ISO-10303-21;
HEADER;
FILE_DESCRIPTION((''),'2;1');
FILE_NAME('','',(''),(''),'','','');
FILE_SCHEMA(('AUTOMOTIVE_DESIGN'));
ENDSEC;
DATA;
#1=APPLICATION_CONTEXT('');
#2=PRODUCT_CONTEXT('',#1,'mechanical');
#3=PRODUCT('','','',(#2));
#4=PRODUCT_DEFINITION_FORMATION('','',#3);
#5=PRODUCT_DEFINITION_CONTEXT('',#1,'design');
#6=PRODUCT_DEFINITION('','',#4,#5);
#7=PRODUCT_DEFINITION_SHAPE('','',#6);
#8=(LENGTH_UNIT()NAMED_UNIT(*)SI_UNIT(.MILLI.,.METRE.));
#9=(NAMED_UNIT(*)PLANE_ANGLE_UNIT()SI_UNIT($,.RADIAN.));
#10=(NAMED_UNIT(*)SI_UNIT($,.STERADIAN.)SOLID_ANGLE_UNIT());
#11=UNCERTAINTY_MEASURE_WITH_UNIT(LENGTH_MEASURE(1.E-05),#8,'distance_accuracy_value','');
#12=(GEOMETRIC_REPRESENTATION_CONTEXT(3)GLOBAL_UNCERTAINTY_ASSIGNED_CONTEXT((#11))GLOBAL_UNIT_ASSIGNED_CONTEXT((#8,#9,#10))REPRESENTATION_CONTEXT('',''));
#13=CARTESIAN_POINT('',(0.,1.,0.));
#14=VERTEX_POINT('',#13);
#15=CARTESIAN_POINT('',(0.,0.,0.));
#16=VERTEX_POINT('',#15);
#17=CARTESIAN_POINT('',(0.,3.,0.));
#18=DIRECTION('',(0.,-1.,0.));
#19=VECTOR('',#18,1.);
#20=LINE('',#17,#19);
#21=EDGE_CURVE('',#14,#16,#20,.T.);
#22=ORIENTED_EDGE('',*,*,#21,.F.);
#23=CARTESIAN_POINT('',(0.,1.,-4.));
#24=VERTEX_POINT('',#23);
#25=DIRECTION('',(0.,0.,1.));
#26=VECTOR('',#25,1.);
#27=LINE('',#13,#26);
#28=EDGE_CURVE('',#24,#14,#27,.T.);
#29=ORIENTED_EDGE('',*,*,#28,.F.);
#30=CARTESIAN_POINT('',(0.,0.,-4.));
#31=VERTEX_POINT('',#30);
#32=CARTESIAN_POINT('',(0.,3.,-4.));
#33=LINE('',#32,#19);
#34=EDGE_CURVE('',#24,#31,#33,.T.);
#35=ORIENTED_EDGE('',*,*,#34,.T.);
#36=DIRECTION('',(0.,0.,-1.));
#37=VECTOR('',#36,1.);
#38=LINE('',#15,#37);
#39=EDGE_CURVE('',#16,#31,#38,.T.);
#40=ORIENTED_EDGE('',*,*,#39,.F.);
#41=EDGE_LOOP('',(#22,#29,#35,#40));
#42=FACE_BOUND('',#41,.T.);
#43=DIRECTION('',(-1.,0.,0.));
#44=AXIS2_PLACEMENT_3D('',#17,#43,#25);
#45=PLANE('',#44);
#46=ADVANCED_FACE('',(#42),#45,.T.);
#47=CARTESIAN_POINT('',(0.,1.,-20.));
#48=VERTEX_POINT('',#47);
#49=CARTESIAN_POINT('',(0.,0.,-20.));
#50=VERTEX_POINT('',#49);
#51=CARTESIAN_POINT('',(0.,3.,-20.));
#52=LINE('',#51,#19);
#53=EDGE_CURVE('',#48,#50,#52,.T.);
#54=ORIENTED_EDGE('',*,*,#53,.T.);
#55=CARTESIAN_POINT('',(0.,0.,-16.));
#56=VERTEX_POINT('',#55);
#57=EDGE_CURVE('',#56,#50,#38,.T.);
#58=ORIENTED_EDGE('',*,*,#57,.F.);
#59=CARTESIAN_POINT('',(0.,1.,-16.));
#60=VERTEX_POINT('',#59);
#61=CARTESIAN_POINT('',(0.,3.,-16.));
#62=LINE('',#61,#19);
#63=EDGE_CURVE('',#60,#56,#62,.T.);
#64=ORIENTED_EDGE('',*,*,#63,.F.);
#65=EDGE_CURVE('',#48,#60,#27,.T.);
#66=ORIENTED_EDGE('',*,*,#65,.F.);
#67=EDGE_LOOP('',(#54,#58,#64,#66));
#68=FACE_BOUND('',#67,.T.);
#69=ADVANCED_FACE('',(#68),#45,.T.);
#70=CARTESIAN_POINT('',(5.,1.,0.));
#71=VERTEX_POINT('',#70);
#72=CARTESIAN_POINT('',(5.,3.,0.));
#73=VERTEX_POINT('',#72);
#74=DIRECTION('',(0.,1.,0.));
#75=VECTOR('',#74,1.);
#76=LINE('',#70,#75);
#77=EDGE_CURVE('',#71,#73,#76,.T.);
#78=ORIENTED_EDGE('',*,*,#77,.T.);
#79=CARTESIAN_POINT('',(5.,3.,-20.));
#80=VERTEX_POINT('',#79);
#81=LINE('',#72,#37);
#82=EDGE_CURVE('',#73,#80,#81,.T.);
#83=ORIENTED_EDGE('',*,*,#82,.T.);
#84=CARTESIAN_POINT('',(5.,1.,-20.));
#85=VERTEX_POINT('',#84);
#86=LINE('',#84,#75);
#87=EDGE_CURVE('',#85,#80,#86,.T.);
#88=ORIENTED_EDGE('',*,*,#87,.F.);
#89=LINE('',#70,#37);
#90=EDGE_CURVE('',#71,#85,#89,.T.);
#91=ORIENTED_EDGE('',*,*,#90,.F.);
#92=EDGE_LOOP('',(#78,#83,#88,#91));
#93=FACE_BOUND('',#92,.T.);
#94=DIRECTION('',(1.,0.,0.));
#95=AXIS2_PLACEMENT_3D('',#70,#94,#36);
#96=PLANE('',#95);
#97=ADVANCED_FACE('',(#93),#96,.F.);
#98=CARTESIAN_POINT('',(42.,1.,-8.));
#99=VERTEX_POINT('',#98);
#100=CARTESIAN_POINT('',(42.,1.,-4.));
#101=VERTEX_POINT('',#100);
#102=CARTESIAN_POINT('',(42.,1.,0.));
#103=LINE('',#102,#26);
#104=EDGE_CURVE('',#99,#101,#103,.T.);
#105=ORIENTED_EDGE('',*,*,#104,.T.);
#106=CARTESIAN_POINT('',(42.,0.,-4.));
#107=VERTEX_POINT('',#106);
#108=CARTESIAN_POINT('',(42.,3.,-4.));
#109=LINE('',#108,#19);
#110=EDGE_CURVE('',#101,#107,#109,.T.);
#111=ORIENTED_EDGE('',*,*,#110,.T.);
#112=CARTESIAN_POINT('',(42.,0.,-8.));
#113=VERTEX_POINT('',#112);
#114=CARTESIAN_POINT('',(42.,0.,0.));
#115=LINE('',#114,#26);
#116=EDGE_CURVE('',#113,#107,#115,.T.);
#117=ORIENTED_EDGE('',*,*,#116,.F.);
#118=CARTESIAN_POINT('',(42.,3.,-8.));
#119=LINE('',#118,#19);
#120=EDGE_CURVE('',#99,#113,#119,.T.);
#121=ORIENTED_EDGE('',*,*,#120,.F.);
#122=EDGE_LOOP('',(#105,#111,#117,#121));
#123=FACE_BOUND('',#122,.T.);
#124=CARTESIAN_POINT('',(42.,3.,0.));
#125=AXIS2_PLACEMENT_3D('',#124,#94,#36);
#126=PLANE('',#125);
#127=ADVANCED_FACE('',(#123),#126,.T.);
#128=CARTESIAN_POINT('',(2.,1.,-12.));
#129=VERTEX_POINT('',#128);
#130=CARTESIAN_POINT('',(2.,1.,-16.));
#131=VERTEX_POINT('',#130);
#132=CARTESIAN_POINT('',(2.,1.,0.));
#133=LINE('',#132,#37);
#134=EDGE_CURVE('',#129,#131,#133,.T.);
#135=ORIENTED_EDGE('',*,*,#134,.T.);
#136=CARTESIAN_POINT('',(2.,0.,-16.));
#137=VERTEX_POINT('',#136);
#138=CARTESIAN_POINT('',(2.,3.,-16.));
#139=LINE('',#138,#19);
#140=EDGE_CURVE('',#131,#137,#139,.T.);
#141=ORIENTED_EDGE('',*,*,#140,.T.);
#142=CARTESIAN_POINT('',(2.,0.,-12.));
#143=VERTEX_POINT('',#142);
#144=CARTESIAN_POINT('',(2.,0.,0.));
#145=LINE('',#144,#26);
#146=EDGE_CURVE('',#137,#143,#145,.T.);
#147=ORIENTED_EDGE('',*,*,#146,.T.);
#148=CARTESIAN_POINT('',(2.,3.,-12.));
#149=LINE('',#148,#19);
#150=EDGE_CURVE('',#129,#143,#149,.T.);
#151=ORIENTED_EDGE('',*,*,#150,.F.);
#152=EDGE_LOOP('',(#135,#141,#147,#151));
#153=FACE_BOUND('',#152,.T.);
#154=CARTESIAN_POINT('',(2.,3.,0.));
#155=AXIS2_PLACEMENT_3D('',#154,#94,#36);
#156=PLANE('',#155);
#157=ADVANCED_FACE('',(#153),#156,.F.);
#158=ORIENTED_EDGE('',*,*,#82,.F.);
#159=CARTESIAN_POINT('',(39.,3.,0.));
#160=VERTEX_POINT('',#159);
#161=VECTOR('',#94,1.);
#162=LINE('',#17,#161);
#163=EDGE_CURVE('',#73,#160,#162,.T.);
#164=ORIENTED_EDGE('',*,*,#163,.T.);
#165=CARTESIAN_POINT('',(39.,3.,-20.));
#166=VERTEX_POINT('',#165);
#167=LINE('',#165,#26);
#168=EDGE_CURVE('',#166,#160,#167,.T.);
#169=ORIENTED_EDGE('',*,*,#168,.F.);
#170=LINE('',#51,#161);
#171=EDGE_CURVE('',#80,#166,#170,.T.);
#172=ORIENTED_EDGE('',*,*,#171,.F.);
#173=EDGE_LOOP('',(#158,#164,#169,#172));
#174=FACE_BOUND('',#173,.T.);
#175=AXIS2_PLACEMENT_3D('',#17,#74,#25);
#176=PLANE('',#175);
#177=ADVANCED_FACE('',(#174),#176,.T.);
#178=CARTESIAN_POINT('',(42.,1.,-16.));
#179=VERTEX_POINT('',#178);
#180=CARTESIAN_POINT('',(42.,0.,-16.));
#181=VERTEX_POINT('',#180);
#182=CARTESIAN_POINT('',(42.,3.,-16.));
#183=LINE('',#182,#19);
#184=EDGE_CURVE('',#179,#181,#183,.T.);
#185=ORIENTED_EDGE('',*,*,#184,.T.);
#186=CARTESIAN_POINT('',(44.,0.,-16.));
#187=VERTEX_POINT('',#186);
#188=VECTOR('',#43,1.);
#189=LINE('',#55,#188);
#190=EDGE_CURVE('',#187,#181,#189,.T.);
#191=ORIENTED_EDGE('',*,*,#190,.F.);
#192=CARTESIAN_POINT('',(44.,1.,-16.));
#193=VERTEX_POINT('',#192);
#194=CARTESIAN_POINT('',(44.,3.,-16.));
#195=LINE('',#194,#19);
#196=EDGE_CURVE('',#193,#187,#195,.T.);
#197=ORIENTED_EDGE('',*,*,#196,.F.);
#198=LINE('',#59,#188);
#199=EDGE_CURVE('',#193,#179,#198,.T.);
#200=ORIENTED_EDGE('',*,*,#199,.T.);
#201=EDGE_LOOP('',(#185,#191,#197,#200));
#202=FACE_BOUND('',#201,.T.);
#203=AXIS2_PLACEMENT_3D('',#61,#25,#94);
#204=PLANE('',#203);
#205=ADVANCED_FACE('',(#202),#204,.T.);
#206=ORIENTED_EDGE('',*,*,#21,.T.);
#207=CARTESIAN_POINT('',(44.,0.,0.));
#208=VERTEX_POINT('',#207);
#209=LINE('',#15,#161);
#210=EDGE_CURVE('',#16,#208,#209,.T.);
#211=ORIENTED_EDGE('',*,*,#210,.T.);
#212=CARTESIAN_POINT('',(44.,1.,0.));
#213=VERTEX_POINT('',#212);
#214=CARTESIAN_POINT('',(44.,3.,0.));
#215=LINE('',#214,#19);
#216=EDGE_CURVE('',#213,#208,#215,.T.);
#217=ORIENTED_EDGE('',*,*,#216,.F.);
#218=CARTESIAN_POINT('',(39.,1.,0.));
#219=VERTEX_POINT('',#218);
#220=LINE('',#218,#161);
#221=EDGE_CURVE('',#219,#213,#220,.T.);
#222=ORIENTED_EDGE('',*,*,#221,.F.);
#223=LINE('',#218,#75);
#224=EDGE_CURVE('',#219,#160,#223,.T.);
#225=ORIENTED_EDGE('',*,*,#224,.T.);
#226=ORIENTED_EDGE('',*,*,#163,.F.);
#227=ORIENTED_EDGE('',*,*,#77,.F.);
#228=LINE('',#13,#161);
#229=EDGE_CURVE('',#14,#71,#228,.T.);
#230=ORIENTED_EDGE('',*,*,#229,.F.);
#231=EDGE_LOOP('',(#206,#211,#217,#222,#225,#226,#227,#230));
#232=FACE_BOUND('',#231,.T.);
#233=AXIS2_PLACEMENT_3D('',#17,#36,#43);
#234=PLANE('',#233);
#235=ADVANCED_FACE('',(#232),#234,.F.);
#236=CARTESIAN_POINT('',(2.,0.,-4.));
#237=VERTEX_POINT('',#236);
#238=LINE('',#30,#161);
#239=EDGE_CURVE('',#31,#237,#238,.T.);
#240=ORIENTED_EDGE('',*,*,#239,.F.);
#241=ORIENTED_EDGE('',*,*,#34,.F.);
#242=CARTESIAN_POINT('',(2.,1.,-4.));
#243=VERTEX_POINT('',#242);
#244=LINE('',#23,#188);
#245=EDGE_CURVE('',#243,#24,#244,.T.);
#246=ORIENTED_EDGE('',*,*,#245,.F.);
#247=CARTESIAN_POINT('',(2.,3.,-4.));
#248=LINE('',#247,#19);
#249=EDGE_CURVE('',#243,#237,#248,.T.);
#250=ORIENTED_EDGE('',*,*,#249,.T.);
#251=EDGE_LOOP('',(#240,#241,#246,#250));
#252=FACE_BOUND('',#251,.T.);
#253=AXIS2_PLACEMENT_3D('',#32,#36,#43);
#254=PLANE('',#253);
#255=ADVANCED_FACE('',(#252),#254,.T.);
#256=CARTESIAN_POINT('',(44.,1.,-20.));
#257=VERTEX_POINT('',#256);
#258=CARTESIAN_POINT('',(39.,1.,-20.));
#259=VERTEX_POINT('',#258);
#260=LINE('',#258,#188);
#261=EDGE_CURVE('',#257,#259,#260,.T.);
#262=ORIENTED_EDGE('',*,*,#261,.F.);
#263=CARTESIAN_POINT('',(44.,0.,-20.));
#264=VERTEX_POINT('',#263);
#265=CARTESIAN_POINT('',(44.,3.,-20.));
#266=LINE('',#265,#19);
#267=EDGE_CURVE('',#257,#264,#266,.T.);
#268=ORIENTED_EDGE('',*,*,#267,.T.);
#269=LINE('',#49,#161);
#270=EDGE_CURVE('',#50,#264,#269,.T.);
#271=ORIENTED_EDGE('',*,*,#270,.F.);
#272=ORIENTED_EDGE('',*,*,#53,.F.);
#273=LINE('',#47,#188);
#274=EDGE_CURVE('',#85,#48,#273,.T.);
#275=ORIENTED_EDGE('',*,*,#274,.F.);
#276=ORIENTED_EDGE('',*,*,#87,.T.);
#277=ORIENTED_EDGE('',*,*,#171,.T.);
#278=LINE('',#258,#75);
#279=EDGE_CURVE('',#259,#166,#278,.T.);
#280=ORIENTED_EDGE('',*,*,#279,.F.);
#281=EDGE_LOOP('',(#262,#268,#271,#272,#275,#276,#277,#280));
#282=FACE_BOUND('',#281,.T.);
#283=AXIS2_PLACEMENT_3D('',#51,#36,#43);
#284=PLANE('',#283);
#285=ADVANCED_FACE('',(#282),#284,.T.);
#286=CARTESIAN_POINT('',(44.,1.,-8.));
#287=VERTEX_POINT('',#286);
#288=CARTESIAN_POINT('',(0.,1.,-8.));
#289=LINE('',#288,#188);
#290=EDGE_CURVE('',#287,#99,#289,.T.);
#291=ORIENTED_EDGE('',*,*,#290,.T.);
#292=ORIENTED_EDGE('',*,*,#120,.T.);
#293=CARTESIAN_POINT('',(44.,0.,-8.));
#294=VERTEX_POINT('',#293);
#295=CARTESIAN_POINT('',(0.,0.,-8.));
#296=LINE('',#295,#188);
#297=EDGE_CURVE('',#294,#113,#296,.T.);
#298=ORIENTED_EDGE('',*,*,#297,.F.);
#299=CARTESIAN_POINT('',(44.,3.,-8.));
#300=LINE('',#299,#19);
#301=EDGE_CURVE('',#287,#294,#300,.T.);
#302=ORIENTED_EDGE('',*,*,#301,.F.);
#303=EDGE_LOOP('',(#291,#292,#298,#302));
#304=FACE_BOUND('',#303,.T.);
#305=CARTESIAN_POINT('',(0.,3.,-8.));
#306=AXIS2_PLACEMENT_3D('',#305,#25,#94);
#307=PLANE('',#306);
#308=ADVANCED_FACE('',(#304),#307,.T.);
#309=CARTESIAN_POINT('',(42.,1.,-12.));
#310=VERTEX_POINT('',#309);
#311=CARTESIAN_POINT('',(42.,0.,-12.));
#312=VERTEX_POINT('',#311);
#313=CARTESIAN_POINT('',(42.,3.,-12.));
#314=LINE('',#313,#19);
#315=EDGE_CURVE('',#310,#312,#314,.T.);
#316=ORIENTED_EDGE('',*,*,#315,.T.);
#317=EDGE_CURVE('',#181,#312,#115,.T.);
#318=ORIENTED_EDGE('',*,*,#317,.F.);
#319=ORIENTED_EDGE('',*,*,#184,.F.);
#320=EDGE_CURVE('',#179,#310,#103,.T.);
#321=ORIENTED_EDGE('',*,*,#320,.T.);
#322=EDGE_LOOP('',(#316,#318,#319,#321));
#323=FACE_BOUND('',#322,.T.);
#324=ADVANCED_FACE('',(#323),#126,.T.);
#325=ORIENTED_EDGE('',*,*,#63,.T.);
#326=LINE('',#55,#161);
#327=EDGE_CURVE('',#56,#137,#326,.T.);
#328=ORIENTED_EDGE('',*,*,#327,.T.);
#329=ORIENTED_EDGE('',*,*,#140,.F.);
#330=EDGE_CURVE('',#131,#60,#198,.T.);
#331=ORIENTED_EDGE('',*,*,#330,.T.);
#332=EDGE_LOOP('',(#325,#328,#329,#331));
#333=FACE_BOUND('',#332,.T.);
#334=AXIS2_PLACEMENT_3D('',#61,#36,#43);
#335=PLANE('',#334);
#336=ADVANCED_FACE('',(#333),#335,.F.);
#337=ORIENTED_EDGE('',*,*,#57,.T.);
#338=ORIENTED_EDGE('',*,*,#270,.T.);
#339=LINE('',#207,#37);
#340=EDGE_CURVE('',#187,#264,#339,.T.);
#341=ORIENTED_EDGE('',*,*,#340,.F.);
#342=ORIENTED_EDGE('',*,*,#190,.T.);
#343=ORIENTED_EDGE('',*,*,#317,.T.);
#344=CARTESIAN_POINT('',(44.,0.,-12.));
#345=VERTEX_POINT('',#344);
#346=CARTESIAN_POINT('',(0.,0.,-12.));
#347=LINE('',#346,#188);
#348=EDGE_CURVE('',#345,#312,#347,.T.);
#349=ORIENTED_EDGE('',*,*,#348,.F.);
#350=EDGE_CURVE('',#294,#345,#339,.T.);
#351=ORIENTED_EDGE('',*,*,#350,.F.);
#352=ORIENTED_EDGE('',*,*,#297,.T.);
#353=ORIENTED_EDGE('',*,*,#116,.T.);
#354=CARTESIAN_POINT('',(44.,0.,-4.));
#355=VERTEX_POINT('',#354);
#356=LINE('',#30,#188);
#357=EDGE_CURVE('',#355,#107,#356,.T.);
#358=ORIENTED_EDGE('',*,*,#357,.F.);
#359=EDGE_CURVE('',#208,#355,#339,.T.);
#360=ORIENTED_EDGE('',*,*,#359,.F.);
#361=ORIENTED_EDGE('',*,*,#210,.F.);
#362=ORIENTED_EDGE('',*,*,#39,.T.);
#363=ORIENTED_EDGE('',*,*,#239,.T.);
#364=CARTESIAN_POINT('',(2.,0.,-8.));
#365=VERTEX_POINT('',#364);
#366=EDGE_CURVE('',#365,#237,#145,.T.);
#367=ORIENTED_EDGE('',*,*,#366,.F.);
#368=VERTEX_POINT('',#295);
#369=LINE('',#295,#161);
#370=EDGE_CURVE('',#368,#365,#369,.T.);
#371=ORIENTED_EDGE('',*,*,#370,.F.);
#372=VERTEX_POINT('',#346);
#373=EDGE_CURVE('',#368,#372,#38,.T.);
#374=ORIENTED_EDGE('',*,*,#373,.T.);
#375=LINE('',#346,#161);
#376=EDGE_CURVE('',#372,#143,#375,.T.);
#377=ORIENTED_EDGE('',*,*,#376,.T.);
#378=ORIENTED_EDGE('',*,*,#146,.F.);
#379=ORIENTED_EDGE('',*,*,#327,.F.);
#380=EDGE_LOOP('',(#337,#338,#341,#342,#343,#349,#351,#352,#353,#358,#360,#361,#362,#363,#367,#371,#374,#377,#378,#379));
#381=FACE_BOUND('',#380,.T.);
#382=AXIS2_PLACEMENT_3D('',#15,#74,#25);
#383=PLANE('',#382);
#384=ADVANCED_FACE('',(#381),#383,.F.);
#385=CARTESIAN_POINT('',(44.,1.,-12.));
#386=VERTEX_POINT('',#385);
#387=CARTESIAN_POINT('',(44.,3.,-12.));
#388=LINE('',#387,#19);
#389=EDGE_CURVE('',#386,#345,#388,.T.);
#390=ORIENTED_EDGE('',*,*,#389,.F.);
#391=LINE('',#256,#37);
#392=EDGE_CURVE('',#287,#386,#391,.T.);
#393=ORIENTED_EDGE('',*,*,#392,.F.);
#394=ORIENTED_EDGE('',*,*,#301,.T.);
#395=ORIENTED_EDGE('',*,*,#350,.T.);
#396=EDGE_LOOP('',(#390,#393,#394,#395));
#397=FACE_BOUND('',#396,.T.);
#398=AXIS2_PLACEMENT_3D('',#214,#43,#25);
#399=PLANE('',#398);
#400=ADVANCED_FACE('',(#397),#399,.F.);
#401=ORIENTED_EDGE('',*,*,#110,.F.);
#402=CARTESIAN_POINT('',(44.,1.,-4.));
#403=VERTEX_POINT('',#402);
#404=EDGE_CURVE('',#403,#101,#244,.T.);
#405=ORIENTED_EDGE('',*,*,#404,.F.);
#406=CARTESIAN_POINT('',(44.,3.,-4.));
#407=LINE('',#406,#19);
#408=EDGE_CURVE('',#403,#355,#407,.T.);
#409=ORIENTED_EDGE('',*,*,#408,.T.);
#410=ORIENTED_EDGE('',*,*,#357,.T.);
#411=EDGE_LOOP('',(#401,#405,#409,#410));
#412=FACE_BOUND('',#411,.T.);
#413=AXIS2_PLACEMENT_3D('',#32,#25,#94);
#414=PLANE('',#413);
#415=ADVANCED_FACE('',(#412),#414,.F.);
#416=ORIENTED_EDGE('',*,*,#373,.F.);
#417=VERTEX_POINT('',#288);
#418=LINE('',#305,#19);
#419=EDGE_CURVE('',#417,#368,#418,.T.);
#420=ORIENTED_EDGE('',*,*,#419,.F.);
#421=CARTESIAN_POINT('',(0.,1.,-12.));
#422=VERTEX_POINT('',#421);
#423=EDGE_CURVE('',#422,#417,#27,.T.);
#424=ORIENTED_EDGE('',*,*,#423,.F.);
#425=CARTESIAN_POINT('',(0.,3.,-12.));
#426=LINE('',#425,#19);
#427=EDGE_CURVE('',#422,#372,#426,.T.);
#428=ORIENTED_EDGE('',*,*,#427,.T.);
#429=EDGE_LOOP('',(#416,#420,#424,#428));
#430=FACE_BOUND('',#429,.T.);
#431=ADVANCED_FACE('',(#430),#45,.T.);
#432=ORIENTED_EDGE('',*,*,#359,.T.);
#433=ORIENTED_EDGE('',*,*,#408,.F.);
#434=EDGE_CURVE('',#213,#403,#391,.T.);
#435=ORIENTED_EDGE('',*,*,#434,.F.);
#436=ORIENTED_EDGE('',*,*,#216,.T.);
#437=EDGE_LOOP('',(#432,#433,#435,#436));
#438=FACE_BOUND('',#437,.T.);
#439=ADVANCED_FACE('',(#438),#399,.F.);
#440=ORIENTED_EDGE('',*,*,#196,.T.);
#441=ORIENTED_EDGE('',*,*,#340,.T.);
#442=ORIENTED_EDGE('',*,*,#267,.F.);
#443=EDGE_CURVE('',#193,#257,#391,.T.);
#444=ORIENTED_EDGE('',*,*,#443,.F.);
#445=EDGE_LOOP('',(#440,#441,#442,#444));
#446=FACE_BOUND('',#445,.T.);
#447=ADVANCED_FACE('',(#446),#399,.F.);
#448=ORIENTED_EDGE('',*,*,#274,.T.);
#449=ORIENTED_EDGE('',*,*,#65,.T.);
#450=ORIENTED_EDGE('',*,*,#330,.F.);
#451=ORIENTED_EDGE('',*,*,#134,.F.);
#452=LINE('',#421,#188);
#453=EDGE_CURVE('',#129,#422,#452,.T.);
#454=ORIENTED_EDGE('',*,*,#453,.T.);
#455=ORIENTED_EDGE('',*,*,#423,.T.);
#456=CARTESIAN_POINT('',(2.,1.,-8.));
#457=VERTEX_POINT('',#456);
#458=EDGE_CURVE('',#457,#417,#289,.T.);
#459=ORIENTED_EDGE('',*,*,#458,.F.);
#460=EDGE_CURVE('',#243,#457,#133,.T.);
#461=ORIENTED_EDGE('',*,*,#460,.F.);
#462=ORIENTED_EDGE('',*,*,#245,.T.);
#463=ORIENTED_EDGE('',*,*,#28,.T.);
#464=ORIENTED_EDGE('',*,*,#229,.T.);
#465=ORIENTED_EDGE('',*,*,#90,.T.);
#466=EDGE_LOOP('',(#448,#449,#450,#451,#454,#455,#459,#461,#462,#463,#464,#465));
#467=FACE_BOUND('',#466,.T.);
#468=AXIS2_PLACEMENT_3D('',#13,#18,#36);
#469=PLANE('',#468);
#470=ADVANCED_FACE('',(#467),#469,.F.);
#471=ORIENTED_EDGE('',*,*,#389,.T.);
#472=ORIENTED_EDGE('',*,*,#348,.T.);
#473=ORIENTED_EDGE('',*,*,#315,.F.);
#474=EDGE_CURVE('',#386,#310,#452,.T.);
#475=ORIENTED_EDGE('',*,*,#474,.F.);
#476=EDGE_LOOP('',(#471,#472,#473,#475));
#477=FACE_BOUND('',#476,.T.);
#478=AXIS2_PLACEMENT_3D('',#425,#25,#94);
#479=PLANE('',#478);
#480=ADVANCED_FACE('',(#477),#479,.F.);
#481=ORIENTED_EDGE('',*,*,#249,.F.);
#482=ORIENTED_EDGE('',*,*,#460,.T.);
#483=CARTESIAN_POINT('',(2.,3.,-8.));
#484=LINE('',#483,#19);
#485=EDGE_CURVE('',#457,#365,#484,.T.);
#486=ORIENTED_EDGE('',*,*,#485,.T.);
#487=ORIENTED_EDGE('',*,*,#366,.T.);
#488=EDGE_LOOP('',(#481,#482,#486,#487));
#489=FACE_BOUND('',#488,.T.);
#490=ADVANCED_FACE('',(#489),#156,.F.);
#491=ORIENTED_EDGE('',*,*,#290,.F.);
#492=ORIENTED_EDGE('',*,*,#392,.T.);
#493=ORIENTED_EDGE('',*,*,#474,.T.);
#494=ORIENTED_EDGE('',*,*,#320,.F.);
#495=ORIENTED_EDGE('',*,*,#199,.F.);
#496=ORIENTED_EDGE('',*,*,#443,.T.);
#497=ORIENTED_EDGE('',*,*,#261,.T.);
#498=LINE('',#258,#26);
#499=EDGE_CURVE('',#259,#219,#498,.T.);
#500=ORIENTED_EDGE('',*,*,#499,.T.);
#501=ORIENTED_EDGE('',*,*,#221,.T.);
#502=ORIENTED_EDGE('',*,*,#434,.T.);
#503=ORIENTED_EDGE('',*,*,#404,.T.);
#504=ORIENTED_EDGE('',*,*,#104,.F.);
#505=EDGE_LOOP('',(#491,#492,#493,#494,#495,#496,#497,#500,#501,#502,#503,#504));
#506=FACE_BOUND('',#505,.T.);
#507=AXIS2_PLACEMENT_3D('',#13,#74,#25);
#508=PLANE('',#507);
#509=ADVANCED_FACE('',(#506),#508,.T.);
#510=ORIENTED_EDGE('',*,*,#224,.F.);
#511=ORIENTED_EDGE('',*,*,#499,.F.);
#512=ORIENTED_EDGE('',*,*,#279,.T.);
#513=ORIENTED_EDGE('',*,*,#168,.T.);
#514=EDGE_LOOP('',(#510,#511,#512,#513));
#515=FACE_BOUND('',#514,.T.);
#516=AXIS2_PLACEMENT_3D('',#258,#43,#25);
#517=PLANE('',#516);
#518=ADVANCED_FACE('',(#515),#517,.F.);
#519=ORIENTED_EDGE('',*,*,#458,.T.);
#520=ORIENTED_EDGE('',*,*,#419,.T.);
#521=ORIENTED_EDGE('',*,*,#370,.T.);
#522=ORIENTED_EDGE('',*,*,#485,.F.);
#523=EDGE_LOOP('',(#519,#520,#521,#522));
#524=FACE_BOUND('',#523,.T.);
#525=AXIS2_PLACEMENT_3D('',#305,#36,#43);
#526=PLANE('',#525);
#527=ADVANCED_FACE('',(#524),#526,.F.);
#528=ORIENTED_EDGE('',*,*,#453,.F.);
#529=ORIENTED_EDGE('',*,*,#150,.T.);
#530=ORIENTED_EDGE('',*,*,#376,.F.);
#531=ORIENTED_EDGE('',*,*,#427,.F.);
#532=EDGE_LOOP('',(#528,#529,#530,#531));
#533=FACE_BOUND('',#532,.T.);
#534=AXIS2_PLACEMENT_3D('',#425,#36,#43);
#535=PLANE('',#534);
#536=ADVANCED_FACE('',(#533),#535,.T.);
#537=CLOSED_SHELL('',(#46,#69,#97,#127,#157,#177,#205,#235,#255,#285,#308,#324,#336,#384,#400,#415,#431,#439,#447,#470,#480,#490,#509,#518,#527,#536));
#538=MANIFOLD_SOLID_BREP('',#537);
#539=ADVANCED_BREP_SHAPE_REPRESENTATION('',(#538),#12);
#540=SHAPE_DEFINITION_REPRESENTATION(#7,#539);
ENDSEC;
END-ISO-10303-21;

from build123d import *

# Parameters (mm, degrees)
BOSS_EXTRUDE1_DEPTH = 3
SKETCH2_W           = 5
SKETCH2_H           = 20
CUT_EXTRUDE1_DEPTH  = 2


with BuildPart() as part:
    # Sketch1 → Boss-Extrude1 (new body)
    with BuildSketch(Plane(origin=(0, 0, 0), x_dir=(1, 0, 0), z_dir=(0, 1, 0))):
        Polygon((0, 4), (0, 0), (44, 0), (44, 4), (42, 4), (42, 8), (44, 8), (44, 12), (42, 12), (42, 16), (44, 16), (44, 20), (0, 20), (0, 16), (2, 16), (2, 12), (0, 12), (0, 8), (2, 8), (2, 4), align=None)
    extrude(amount=BOSS_EXTRUDE1_DEPTH)

    # Sketch2 → Cut-Extrude1 (cut)
    with BuildSketch(Plane(origin=(0, 3, 0), x_dir=(1, 0, 0), z_dir=(0, 1, 0))):
        with Locations((41.5, 10)):
            Rectangle(SKETCH2_W, SKETCH2_H)
        with Locations((2.5, 10)):
            Rectangle(SKETCH2_W, SKETCH2_H)
    extrude(amount=-CUT_EXTRUDE1_DEPTH, mode=Mode.SUBTRACT)


solid = part.part
